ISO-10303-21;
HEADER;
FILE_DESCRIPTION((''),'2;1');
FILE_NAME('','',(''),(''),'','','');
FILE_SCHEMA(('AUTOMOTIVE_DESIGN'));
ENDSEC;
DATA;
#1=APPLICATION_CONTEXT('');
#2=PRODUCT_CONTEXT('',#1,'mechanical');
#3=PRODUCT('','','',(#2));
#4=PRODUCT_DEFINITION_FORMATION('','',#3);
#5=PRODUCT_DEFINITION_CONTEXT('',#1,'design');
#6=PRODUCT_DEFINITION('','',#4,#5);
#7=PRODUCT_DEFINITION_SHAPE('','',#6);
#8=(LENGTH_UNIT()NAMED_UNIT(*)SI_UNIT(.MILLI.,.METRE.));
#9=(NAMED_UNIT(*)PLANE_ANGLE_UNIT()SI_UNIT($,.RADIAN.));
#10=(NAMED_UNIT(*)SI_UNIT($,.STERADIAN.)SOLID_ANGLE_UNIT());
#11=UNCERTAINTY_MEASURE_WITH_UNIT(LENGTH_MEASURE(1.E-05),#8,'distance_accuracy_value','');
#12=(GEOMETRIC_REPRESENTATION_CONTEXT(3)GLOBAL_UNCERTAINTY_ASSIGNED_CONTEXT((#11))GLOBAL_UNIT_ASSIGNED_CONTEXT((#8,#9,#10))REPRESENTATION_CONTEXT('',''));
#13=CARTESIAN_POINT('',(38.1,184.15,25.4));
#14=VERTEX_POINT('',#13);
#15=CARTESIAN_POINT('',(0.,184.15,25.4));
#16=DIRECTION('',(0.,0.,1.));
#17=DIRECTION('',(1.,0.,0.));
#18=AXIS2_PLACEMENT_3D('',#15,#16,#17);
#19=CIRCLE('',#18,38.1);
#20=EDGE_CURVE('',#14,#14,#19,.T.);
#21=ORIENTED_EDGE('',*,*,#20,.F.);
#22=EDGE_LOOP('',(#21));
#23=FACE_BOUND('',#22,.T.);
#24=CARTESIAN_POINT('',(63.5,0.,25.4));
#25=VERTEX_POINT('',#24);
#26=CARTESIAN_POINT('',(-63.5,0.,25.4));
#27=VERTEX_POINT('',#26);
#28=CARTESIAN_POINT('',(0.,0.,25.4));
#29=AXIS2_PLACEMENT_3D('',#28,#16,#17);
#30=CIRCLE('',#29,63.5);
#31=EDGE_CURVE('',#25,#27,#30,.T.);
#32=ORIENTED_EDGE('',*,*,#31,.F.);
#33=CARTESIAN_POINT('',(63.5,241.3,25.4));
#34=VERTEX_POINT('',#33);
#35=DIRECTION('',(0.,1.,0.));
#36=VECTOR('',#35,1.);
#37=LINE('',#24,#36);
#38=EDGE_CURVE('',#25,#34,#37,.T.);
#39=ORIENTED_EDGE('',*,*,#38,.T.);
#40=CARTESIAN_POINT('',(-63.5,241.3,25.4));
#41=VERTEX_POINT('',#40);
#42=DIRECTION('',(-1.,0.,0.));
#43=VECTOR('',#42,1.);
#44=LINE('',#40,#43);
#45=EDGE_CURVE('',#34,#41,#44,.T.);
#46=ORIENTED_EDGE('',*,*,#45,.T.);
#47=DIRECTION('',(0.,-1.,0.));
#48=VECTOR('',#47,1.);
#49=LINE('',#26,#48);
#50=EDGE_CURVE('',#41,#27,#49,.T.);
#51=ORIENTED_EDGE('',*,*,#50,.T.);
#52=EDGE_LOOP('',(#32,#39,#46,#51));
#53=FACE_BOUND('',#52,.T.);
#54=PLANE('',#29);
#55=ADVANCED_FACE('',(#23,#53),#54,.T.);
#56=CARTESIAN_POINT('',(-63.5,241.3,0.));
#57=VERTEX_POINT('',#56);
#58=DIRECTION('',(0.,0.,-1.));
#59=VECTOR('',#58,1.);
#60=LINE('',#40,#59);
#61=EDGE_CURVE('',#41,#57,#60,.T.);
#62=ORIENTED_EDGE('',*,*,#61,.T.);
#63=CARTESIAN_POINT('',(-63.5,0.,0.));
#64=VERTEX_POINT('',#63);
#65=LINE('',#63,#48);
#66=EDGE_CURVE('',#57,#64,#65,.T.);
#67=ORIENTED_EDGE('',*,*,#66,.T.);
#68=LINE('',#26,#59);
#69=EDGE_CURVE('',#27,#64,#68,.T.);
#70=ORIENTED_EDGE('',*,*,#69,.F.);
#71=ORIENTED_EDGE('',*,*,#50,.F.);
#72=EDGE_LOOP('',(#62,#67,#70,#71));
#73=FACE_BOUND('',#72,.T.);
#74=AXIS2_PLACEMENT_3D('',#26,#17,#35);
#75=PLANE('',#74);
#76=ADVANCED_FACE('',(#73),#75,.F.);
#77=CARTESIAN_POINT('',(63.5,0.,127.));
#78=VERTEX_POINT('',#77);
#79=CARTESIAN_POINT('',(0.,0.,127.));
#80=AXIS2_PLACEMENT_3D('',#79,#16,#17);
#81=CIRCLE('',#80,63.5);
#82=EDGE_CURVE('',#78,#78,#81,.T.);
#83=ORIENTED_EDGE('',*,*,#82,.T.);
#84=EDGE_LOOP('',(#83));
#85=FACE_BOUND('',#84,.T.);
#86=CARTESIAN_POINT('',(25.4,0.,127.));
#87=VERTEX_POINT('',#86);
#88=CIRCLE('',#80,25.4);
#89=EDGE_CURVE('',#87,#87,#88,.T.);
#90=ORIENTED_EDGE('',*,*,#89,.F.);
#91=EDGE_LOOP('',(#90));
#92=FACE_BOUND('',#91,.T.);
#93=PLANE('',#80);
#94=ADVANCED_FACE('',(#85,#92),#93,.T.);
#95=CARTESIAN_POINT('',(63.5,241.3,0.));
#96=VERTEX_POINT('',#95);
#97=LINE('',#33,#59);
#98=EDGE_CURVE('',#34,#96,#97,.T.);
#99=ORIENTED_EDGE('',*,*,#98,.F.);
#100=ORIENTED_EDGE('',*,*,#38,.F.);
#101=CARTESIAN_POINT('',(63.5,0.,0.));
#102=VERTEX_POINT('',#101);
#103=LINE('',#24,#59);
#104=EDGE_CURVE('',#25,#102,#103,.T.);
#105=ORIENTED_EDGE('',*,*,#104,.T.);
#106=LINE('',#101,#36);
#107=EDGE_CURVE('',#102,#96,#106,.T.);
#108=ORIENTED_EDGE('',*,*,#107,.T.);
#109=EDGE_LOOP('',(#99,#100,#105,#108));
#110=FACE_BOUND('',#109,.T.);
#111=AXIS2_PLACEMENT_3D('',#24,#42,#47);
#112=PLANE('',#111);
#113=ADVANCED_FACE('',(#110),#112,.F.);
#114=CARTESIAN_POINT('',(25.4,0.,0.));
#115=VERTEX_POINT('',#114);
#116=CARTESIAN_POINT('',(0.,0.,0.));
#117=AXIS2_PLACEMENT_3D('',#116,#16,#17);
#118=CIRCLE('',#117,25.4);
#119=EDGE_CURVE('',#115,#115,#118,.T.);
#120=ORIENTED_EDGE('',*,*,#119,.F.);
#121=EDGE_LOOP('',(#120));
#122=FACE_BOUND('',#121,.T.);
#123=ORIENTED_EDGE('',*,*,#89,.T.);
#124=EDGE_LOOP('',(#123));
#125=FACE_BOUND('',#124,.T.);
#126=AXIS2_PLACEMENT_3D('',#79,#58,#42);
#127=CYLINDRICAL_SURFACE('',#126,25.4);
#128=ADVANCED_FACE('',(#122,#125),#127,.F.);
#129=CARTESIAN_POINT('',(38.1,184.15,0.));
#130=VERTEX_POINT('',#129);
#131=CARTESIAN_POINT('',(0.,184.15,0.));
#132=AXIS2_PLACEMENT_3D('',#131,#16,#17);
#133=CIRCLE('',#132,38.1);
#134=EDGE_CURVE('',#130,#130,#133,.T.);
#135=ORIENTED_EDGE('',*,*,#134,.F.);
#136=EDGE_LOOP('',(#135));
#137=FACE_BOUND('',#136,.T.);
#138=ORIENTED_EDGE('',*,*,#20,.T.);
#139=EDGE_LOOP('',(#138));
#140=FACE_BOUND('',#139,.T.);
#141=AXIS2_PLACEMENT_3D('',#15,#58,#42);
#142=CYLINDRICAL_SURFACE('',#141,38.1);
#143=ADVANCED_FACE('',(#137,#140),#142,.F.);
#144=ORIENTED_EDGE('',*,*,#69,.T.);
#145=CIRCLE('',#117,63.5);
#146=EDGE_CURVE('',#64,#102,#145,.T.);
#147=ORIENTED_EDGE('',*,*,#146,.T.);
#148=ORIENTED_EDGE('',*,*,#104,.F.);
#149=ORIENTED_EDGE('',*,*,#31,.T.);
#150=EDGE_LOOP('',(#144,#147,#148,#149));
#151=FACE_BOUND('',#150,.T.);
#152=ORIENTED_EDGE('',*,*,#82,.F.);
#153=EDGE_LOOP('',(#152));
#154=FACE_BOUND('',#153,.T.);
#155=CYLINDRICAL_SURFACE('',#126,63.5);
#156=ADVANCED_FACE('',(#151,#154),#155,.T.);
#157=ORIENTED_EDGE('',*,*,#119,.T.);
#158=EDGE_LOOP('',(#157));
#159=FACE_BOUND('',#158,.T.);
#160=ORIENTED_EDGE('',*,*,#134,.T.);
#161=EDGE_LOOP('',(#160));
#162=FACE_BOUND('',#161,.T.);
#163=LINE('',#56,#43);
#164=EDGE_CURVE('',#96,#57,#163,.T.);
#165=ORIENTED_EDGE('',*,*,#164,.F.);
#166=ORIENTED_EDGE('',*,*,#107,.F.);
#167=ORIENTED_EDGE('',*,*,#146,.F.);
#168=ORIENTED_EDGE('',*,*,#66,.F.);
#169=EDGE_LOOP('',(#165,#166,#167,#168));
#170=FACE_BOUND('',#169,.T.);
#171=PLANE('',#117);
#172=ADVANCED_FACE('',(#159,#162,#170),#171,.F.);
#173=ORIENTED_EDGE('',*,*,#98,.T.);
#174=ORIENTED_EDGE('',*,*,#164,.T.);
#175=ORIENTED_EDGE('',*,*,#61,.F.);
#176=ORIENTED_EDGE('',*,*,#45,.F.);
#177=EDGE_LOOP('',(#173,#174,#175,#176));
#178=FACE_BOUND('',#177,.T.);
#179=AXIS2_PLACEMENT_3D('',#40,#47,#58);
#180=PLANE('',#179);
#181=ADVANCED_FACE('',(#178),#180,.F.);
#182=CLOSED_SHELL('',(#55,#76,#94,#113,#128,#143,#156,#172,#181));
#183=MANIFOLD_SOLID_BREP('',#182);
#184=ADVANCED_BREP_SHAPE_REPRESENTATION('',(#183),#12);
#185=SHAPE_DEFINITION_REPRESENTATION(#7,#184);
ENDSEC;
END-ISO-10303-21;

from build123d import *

# Parameters (mm, degrees)
SKETCH3_R           = 63.5
SKETCH3_R_2         = 25.4
BOSS_EXTRUDE1_DEPTH = 127
SKETCH4_R           = 25.4
SKETCH4_R_2         = 38.1
BOSS_EXTRUDE2_DEPTH = 25.4


with BuildPart() as part:
    # Sketch3 → Boss-Extrude1 (new body)
    with BuildSketch(Plane(origin=(0, 0, 0), x_dir=(0, 1, 0), z_dir=(0, 0, 1))):
        with Locations(Location((0, 0, 0), (0, 0, 270))):
            Circle(SKETCH3_R)
        with Locations(Location((0, 0, 0), (0, 0, 270))):
            Circle(SKETCH3_R_2, mode=Mode.SUBTRACT)
    extrude(amount=BOSS_EXTRUDE1_DEPTH)

    # Sketch4 → Boss-Extrude2 (add)
    with BuildSketch(Plane(origin=(0, 0, 0), x_dir=(0, 1, 0), z_dir=(0, 0, 1))):
        with BuildLine():
            Line((0, 63.5), (241.3, 63.5))
            Line((241.3, 63.5), (241.3, -63.5))
            Line((241.3, -63.5), (0, -63.5))
            ThreePointArc((0, -63.5), (-63.5, 0), (0, 63.5))
        make_face()
        with Locations(Location((0, 0, 0), (0, 0, 270))):
            Circle(SKETCH4_R, mode=Mode.SUBTRACT)
        with Locations(Location((184.15, 0, 0), (0, 0, 270))):
            Circle(SKETCH4_R_2, mode=Mode.SUBTRACT)
    extrude(amount=BOSS_EXTRUDE2_DEPTH)


solid = part.part
